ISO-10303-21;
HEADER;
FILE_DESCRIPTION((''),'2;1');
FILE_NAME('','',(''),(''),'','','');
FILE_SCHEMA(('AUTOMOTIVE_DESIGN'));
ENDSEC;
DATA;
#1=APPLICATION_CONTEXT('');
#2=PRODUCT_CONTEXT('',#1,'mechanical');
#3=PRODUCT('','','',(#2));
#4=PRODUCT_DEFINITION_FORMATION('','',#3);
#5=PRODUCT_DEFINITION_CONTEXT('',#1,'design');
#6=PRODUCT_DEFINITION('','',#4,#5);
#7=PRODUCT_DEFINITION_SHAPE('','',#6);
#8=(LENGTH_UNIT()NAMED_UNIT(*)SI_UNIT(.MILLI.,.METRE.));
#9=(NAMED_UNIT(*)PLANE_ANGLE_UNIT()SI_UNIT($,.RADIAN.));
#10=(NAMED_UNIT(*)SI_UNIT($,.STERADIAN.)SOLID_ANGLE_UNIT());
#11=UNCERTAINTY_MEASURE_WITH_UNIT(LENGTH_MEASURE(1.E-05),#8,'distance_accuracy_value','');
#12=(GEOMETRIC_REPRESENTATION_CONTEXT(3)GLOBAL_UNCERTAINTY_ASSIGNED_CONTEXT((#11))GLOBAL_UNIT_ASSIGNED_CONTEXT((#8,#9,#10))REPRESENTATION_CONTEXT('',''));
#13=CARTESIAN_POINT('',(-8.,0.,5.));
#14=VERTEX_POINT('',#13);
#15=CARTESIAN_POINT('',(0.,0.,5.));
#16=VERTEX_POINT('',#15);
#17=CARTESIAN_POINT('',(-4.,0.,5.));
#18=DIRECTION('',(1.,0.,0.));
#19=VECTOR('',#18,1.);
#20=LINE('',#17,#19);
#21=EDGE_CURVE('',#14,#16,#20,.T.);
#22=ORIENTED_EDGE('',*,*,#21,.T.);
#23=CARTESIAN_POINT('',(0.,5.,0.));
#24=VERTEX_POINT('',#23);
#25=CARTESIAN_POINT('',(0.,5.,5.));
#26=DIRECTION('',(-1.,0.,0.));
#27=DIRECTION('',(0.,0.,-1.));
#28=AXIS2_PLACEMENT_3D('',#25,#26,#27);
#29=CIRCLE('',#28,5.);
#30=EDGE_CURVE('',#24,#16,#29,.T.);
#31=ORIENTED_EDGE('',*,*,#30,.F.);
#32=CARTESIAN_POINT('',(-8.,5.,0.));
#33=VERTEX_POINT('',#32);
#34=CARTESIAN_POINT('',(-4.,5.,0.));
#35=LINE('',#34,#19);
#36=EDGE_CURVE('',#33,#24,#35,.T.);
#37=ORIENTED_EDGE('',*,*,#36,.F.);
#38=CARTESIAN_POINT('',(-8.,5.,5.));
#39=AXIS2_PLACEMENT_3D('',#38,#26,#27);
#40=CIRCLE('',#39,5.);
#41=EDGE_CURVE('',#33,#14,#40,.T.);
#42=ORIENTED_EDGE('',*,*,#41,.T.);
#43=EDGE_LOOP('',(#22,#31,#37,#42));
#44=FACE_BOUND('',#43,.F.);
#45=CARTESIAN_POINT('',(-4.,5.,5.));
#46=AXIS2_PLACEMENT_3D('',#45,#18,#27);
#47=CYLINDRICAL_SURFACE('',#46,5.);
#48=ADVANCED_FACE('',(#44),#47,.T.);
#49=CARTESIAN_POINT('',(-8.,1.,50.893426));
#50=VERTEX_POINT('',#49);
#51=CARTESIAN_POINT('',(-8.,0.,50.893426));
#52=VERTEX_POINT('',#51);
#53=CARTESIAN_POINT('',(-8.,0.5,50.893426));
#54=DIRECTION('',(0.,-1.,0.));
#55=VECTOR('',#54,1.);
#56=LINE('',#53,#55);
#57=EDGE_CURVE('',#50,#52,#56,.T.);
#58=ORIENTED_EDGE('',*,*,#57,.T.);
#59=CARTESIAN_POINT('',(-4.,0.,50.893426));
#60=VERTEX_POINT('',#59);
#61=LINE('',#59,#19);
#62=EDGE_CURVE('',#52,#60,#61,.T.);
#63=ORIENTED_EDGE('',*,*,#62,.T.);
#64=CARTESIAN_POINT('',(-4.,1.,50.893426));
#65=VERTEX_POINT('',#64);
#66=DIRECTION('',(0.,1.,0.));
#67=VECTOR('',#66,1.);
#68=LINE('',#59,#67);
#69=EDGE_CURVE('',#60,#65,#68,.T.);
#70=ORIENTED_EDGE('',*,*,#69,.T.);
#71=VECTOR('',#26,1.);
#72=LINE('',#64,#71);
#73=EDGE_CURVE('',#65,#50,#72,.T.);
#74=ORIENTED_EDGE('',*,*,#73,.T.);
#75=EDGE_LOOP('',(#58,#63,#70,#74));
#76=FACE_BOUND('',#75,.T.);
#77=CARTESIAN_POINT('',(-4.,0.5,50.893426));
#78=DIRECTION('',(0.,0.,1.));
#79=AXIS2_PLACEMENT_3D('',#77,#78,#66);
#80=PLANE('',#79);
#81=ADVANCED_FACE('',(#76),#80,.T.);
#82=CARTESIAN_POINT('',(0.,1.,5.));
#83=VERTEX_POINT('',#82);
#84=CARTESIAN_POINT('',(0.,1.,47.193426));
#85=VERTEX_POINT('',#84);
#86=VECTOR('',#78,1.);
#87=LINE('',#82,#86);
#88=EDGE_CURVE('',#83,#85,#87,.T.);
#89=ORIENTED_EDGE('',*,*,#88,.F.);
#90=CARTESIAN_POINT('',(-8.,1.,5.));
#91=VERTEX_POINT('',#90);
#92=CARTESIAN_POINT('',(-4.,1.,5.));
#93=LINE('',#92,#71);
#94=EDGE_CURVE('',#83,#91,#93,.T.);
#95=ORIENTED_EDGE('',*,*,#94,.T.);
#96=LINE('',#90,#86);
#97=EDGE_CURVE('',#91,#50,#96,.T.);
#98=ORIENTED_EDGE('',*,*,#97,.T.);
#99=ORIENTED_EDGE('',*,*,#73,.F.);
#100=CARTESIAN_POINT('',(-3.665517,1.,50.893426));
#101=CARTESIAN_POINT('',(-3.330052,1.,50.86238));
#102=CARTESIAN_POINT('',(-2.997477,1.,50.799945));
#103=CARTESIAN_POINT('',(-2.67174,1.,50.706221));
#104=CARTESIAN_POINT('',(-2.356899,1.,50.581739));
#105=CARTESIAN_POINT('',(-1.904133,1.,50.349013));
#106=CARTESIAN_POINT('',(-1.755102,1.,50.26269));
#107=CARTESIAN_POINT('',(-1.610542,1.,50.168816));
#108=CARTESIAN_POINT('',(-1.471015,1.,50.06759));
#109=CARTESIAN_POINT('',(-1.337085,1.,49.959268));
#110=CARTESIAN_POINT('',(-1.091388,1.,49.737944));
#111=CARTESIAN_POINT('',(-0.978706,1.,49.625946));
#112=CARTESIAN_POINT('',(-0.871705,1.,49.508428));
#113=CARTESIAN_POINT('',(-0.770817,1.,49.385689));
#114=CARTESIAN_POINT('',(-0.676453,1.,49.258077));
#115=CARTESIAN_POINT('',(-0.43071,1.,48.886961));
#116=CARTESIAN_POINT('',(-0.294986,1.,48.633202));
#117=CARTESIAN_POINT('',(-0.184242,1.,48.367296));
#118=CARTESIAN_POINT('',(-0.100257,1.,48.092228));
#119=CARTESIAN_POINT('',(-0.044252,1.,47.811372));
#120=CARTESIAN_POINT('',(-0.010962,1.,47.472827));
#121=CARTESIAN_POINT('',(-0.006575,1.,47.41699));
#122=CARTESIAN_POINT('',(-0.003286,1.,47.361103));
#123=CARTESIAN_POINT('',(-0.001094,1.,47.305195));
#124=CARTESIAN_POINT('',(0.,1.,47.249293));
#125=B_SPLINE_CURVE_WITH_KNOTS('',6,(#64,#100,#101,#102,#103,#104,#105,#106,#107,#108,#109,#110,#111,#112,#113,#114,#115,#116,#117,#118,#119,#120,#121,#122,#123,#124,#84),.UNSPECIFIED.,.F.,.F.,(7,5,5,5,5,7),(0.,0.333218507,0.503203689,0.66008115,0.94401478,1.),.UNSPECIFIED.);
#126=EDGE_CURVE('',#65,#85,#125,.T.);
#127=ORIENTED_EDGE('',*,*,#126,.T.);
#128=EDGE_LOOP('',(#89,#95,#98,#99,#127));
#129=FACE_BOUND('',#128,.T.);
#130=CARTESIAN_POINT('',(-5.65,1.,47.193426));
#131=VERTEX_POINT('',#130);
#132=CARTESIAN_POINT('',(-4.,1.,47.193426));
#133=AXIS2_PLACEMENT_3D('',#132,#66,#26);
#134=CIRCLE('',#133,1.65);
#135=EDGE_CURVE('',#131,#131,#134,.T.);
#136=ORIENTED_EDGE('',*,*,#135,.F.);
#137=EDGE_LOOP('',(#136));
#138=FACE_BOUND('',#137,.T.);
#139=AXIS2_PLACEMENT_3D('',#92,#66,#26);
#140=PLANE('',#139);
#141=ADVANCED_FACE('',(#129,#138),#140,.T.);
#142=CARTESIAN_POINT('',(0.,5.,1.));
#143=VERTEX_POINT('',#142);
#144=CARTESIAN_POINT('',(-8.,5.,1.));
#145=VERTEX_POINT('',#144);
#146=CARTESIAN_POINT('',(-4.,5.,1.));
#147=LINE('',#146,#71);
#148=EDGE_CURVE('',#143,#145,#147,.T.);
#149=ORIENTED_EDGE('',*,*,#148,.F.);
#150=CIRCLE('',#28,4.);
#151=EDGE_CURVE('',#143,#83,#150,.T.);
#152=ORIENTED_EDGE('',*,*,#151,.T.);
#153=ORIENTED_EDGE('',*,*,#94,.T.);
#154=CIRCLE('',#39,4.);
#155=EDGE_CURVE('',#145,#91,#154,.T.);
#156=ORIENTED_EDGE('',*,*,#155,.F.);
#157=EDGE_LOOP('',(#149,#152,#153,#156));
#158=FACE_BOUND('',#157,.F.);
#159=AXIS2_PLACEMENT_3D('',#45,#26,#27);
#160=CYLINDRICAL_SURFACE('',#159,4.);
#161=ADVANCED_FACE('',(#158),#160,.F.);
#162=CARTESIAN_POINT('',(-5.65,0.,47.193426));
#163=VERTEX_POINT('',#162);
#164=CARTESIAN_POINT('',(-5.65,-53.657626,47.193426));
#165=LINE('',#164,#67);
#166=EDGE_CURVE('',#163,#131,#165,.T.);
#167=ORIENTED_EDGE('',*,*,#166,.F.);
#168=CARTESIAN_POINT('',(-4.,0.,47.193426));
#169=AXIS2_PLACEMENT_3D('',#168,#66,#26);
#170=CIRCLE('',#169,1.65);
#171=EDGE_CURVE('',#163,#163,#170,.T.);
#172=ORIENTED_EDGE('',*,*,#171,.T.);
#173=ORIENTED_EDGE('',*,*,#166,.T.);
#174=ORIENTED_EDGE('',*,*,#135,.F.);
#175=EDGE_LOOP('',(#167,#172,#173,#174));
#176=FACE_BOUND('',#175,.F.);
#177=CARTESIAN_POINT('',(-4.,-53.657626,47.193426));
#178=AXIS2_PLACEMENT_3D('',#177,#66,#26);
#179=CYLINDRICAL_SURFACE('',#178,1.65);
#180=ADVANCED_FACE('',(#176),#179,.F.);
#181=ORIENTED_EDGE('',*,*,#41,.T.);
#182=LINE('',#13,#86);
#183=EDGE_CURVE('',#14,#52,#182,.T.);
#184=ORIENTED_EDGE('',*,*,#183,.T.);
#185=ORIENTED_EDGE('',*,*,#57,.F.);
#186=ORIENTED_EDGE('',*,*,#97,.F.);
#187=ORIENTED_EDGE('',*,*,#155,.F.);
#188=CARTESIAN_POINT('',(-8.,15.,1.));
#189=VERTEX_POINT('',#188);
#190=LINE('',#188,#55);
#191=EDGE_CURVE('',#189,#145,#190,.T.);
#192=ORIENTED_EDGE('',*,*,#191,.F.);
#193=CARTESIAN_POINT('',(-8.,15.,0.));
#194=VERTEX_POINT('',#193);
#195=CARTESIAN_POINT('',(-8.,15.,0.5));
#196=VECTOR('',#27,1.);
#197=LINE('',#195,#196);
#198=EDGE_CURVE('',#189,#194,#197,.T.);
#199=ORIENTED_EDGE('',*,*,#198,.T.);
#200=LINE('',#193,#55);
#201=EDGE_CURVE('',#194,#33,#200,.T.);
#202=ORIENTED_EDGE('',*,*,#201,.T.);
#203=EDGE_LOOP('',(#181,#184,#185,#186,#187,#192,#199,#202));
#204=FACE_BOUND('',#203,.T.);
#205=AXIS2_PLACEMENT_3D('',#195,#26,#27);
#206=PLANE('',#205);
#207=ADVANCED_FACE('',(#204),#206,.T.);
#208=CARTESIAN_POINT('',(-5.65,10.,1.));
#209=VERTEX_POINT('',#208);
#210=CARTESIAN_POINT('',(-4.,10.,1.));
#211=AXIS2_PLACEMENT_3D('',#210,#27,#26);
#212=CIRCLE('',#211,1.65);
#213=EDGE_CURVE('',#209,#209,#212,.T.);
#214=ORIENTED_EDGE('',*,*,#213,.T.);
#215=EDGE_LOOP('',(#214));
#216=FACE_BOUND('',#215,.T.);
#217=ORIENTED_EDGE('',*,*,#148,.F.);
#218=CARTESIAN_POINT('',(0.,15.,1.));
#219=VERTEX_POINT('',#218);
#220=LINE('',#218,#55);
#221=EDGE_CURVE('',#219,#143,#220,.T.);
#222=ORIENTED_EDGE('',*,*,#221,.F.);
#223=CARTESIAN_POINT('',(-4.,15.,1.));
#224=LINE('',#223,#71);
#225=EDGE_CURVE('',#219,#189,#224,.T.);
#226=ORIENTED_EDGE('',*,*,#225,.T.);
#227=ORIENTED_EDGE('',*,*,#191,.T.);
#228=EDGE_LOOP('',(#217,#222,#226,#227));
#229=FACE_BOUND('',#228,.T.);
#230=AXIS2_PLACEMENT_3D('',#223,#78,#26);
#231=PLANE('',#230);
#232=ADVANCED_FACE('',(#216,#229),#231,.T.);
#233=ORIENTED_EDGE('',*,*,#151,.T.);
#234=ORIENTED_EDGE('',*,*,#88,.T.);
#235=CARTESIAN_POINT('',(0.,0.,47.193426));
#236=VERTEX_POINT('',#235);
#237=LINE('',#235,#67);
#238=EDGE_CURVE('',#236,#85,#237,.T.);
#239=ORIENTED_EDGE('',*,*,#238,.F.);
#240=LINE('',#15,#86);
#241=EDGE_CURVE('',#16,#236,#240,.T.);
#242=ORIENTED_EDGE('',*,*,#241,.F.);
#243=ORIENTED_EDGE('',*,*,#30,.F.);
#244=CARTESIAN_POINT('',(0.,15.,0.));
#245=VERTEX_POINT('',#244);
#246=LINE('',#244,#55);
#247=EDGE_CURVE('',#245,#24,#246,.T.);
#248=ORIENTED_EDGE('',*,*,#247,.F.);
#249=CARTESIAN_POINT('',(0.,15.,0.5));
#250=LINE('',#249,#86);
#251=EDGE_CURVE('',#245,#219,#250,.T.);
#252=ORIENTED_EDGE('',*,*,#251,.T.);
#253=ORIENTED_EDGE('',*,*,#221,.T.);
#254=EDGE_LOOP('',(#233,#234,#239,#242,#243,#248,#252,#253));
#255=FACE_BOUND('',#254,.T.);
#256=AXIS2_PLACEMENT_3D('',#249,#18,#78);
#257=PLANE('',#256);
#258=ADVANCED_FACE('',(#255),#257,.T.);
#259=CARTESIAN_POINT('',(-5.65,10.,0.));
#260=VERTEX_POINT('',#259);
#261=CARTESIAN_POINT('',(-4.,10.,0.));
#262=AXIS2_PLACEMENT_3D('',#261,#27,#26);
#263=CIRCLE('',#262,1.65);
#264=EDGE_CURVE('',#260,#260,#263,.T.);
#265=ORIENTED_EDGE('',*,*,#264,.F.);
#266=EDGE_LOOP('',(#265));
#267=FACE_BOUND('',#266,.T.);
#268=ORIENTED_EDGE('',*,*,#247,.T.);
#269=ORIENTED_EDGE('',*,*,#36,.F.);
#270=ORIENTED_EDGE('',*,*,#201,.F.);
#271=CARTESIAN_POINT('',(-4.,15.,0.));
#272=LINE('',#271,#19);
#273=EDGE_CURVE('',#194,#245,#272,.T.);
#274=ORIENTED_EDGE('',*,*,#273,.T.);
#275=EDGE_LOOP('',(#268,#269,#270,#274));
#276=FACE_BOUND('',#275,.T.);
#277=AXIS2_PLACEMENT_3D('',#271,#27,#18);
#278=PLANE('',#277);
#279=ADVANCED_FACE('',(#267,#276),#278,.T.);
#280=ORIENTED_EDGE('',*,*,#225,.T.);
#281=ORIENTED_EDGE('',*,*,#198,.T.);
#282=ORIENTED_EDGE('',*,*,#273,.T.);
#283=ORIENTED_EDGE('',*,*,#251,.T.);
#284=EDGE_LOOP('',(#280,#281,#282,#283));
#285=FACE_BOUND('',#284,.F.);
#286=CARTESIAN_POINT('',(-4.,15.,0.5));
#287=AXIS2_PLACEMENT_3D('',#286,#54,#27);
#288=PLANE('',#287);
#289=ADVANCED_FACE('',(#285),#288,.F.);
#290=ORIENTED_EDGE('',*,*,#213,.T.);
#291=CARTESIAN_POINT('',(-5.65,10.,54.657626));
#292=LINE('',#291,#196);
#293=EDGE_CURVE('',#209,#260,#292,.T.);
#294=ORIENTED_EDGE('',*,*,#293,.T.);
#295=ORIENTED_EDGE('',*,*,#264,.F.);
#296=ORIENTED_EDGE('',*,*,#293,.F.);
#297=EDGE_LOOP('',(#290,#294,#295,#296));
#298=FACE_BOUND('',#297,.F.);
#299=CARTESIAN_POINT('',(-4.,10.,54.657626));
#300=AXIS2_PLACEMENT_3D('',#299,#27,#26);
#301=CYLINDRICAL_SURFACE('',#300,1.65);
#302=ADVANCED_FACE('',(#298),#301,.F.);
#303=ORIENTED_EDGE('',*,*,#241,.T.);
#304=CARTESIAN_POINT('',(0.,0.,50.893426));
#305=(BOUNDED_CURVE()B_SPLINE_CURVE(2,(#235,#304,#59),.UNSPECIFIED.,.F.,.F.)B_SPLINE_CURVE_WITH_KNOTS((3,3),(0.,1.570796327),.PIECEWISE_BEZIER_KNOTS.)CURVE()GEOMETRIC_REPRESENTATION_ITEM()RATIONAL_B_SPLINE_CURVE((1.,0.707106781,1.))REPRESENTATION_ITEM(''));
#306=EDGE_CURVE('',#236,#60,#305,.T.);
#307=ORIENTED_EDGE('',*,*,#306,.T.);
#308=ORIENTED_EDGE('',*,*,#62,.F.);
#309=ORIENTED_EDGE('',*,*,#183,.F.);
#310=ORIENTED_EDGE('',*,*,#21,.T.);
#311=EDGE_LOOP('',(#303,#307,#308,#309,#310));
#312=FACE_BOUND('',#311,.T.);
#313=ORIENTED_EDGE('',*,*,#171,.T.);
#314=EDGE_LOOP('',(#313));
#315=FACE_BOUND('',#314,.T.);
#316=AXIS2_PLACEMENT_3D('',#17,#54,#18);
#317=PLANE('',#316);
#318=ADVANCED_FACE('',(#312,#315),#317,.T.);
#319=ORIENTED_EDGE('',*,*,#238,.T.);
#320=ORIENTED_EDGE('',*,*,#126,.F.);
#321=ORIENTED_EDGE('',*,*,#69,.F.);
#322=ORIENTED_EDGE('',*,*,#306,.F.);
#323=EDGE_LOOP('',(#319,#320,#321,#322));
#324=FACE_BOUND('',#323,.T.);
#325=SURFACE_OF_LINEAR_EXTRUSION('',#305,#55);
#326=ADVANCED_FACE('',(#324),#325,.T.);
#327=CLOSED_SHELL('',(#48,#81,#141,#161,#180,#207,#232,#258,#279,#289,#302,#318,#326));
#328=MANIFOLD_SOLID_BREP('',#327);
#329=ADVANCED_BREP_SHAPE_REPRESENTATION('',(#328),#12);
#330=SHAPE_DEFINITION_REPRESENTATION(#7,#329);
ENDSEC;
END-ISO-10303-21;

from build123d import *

# Parameters (mm, degrees)
F2_W     = 8
F2_H     = 1
F5_D     = 3.3
F7_D     = 3.3
F9_DEPTH = 15.001


with BuildPart() as f3:
    # F3: sweep along a path in F0
    with BuildLine(Plane.YZ) as f3_path:
        Line((15, 0), (5, 0))
        ThreePointArc((5, 0), (1.4644660941, 1.4644660941), (0, 5))
        Line((0, 5), (0, 50.8934259415))
    # F2 (on line) → F3 (sweep)
    with BuildSketch(Plane.XZ.offset(-15)):
        with Locations((-4, 0.5)):
            Rectangle(F2_W, F2_H)
    sweep(path=f3_path.line)

    # F5 (through all)
    with Locations(Plane.XY.offset(1)):
        with Locations((-4, 10)):
            Hole(F5_D / 2)

    # F7 (through all)
    with Locations(Plane.XZ):
        with Locations((-4, 47.1934259415)):
            Hole(F7_D / 2)

    # F8 (on face) → F9 (cut, through all)
    with BuildSketch(Plane.XZ):
        with BuildLine():
            add(Edge.make_bspline(
                [(0, 47.1934259415), (0, 50.8934259415), (-4, 50.8934259415)],
                knots=[0, 0, 0, 1.5707963268, 1.5707963268, 1.5707963268], degree=2, weights=[1, 0.7071067812, 1]))
            Line((0, 47.1934259415), (0, 50.8934259415))
            Line((0, 50.8934259415), (-4, 50.8934259415))
        make_face()
    extrude(amount=-F9_DEPTH, mode=Mode.SUBTRACT)


solid = f3.part
